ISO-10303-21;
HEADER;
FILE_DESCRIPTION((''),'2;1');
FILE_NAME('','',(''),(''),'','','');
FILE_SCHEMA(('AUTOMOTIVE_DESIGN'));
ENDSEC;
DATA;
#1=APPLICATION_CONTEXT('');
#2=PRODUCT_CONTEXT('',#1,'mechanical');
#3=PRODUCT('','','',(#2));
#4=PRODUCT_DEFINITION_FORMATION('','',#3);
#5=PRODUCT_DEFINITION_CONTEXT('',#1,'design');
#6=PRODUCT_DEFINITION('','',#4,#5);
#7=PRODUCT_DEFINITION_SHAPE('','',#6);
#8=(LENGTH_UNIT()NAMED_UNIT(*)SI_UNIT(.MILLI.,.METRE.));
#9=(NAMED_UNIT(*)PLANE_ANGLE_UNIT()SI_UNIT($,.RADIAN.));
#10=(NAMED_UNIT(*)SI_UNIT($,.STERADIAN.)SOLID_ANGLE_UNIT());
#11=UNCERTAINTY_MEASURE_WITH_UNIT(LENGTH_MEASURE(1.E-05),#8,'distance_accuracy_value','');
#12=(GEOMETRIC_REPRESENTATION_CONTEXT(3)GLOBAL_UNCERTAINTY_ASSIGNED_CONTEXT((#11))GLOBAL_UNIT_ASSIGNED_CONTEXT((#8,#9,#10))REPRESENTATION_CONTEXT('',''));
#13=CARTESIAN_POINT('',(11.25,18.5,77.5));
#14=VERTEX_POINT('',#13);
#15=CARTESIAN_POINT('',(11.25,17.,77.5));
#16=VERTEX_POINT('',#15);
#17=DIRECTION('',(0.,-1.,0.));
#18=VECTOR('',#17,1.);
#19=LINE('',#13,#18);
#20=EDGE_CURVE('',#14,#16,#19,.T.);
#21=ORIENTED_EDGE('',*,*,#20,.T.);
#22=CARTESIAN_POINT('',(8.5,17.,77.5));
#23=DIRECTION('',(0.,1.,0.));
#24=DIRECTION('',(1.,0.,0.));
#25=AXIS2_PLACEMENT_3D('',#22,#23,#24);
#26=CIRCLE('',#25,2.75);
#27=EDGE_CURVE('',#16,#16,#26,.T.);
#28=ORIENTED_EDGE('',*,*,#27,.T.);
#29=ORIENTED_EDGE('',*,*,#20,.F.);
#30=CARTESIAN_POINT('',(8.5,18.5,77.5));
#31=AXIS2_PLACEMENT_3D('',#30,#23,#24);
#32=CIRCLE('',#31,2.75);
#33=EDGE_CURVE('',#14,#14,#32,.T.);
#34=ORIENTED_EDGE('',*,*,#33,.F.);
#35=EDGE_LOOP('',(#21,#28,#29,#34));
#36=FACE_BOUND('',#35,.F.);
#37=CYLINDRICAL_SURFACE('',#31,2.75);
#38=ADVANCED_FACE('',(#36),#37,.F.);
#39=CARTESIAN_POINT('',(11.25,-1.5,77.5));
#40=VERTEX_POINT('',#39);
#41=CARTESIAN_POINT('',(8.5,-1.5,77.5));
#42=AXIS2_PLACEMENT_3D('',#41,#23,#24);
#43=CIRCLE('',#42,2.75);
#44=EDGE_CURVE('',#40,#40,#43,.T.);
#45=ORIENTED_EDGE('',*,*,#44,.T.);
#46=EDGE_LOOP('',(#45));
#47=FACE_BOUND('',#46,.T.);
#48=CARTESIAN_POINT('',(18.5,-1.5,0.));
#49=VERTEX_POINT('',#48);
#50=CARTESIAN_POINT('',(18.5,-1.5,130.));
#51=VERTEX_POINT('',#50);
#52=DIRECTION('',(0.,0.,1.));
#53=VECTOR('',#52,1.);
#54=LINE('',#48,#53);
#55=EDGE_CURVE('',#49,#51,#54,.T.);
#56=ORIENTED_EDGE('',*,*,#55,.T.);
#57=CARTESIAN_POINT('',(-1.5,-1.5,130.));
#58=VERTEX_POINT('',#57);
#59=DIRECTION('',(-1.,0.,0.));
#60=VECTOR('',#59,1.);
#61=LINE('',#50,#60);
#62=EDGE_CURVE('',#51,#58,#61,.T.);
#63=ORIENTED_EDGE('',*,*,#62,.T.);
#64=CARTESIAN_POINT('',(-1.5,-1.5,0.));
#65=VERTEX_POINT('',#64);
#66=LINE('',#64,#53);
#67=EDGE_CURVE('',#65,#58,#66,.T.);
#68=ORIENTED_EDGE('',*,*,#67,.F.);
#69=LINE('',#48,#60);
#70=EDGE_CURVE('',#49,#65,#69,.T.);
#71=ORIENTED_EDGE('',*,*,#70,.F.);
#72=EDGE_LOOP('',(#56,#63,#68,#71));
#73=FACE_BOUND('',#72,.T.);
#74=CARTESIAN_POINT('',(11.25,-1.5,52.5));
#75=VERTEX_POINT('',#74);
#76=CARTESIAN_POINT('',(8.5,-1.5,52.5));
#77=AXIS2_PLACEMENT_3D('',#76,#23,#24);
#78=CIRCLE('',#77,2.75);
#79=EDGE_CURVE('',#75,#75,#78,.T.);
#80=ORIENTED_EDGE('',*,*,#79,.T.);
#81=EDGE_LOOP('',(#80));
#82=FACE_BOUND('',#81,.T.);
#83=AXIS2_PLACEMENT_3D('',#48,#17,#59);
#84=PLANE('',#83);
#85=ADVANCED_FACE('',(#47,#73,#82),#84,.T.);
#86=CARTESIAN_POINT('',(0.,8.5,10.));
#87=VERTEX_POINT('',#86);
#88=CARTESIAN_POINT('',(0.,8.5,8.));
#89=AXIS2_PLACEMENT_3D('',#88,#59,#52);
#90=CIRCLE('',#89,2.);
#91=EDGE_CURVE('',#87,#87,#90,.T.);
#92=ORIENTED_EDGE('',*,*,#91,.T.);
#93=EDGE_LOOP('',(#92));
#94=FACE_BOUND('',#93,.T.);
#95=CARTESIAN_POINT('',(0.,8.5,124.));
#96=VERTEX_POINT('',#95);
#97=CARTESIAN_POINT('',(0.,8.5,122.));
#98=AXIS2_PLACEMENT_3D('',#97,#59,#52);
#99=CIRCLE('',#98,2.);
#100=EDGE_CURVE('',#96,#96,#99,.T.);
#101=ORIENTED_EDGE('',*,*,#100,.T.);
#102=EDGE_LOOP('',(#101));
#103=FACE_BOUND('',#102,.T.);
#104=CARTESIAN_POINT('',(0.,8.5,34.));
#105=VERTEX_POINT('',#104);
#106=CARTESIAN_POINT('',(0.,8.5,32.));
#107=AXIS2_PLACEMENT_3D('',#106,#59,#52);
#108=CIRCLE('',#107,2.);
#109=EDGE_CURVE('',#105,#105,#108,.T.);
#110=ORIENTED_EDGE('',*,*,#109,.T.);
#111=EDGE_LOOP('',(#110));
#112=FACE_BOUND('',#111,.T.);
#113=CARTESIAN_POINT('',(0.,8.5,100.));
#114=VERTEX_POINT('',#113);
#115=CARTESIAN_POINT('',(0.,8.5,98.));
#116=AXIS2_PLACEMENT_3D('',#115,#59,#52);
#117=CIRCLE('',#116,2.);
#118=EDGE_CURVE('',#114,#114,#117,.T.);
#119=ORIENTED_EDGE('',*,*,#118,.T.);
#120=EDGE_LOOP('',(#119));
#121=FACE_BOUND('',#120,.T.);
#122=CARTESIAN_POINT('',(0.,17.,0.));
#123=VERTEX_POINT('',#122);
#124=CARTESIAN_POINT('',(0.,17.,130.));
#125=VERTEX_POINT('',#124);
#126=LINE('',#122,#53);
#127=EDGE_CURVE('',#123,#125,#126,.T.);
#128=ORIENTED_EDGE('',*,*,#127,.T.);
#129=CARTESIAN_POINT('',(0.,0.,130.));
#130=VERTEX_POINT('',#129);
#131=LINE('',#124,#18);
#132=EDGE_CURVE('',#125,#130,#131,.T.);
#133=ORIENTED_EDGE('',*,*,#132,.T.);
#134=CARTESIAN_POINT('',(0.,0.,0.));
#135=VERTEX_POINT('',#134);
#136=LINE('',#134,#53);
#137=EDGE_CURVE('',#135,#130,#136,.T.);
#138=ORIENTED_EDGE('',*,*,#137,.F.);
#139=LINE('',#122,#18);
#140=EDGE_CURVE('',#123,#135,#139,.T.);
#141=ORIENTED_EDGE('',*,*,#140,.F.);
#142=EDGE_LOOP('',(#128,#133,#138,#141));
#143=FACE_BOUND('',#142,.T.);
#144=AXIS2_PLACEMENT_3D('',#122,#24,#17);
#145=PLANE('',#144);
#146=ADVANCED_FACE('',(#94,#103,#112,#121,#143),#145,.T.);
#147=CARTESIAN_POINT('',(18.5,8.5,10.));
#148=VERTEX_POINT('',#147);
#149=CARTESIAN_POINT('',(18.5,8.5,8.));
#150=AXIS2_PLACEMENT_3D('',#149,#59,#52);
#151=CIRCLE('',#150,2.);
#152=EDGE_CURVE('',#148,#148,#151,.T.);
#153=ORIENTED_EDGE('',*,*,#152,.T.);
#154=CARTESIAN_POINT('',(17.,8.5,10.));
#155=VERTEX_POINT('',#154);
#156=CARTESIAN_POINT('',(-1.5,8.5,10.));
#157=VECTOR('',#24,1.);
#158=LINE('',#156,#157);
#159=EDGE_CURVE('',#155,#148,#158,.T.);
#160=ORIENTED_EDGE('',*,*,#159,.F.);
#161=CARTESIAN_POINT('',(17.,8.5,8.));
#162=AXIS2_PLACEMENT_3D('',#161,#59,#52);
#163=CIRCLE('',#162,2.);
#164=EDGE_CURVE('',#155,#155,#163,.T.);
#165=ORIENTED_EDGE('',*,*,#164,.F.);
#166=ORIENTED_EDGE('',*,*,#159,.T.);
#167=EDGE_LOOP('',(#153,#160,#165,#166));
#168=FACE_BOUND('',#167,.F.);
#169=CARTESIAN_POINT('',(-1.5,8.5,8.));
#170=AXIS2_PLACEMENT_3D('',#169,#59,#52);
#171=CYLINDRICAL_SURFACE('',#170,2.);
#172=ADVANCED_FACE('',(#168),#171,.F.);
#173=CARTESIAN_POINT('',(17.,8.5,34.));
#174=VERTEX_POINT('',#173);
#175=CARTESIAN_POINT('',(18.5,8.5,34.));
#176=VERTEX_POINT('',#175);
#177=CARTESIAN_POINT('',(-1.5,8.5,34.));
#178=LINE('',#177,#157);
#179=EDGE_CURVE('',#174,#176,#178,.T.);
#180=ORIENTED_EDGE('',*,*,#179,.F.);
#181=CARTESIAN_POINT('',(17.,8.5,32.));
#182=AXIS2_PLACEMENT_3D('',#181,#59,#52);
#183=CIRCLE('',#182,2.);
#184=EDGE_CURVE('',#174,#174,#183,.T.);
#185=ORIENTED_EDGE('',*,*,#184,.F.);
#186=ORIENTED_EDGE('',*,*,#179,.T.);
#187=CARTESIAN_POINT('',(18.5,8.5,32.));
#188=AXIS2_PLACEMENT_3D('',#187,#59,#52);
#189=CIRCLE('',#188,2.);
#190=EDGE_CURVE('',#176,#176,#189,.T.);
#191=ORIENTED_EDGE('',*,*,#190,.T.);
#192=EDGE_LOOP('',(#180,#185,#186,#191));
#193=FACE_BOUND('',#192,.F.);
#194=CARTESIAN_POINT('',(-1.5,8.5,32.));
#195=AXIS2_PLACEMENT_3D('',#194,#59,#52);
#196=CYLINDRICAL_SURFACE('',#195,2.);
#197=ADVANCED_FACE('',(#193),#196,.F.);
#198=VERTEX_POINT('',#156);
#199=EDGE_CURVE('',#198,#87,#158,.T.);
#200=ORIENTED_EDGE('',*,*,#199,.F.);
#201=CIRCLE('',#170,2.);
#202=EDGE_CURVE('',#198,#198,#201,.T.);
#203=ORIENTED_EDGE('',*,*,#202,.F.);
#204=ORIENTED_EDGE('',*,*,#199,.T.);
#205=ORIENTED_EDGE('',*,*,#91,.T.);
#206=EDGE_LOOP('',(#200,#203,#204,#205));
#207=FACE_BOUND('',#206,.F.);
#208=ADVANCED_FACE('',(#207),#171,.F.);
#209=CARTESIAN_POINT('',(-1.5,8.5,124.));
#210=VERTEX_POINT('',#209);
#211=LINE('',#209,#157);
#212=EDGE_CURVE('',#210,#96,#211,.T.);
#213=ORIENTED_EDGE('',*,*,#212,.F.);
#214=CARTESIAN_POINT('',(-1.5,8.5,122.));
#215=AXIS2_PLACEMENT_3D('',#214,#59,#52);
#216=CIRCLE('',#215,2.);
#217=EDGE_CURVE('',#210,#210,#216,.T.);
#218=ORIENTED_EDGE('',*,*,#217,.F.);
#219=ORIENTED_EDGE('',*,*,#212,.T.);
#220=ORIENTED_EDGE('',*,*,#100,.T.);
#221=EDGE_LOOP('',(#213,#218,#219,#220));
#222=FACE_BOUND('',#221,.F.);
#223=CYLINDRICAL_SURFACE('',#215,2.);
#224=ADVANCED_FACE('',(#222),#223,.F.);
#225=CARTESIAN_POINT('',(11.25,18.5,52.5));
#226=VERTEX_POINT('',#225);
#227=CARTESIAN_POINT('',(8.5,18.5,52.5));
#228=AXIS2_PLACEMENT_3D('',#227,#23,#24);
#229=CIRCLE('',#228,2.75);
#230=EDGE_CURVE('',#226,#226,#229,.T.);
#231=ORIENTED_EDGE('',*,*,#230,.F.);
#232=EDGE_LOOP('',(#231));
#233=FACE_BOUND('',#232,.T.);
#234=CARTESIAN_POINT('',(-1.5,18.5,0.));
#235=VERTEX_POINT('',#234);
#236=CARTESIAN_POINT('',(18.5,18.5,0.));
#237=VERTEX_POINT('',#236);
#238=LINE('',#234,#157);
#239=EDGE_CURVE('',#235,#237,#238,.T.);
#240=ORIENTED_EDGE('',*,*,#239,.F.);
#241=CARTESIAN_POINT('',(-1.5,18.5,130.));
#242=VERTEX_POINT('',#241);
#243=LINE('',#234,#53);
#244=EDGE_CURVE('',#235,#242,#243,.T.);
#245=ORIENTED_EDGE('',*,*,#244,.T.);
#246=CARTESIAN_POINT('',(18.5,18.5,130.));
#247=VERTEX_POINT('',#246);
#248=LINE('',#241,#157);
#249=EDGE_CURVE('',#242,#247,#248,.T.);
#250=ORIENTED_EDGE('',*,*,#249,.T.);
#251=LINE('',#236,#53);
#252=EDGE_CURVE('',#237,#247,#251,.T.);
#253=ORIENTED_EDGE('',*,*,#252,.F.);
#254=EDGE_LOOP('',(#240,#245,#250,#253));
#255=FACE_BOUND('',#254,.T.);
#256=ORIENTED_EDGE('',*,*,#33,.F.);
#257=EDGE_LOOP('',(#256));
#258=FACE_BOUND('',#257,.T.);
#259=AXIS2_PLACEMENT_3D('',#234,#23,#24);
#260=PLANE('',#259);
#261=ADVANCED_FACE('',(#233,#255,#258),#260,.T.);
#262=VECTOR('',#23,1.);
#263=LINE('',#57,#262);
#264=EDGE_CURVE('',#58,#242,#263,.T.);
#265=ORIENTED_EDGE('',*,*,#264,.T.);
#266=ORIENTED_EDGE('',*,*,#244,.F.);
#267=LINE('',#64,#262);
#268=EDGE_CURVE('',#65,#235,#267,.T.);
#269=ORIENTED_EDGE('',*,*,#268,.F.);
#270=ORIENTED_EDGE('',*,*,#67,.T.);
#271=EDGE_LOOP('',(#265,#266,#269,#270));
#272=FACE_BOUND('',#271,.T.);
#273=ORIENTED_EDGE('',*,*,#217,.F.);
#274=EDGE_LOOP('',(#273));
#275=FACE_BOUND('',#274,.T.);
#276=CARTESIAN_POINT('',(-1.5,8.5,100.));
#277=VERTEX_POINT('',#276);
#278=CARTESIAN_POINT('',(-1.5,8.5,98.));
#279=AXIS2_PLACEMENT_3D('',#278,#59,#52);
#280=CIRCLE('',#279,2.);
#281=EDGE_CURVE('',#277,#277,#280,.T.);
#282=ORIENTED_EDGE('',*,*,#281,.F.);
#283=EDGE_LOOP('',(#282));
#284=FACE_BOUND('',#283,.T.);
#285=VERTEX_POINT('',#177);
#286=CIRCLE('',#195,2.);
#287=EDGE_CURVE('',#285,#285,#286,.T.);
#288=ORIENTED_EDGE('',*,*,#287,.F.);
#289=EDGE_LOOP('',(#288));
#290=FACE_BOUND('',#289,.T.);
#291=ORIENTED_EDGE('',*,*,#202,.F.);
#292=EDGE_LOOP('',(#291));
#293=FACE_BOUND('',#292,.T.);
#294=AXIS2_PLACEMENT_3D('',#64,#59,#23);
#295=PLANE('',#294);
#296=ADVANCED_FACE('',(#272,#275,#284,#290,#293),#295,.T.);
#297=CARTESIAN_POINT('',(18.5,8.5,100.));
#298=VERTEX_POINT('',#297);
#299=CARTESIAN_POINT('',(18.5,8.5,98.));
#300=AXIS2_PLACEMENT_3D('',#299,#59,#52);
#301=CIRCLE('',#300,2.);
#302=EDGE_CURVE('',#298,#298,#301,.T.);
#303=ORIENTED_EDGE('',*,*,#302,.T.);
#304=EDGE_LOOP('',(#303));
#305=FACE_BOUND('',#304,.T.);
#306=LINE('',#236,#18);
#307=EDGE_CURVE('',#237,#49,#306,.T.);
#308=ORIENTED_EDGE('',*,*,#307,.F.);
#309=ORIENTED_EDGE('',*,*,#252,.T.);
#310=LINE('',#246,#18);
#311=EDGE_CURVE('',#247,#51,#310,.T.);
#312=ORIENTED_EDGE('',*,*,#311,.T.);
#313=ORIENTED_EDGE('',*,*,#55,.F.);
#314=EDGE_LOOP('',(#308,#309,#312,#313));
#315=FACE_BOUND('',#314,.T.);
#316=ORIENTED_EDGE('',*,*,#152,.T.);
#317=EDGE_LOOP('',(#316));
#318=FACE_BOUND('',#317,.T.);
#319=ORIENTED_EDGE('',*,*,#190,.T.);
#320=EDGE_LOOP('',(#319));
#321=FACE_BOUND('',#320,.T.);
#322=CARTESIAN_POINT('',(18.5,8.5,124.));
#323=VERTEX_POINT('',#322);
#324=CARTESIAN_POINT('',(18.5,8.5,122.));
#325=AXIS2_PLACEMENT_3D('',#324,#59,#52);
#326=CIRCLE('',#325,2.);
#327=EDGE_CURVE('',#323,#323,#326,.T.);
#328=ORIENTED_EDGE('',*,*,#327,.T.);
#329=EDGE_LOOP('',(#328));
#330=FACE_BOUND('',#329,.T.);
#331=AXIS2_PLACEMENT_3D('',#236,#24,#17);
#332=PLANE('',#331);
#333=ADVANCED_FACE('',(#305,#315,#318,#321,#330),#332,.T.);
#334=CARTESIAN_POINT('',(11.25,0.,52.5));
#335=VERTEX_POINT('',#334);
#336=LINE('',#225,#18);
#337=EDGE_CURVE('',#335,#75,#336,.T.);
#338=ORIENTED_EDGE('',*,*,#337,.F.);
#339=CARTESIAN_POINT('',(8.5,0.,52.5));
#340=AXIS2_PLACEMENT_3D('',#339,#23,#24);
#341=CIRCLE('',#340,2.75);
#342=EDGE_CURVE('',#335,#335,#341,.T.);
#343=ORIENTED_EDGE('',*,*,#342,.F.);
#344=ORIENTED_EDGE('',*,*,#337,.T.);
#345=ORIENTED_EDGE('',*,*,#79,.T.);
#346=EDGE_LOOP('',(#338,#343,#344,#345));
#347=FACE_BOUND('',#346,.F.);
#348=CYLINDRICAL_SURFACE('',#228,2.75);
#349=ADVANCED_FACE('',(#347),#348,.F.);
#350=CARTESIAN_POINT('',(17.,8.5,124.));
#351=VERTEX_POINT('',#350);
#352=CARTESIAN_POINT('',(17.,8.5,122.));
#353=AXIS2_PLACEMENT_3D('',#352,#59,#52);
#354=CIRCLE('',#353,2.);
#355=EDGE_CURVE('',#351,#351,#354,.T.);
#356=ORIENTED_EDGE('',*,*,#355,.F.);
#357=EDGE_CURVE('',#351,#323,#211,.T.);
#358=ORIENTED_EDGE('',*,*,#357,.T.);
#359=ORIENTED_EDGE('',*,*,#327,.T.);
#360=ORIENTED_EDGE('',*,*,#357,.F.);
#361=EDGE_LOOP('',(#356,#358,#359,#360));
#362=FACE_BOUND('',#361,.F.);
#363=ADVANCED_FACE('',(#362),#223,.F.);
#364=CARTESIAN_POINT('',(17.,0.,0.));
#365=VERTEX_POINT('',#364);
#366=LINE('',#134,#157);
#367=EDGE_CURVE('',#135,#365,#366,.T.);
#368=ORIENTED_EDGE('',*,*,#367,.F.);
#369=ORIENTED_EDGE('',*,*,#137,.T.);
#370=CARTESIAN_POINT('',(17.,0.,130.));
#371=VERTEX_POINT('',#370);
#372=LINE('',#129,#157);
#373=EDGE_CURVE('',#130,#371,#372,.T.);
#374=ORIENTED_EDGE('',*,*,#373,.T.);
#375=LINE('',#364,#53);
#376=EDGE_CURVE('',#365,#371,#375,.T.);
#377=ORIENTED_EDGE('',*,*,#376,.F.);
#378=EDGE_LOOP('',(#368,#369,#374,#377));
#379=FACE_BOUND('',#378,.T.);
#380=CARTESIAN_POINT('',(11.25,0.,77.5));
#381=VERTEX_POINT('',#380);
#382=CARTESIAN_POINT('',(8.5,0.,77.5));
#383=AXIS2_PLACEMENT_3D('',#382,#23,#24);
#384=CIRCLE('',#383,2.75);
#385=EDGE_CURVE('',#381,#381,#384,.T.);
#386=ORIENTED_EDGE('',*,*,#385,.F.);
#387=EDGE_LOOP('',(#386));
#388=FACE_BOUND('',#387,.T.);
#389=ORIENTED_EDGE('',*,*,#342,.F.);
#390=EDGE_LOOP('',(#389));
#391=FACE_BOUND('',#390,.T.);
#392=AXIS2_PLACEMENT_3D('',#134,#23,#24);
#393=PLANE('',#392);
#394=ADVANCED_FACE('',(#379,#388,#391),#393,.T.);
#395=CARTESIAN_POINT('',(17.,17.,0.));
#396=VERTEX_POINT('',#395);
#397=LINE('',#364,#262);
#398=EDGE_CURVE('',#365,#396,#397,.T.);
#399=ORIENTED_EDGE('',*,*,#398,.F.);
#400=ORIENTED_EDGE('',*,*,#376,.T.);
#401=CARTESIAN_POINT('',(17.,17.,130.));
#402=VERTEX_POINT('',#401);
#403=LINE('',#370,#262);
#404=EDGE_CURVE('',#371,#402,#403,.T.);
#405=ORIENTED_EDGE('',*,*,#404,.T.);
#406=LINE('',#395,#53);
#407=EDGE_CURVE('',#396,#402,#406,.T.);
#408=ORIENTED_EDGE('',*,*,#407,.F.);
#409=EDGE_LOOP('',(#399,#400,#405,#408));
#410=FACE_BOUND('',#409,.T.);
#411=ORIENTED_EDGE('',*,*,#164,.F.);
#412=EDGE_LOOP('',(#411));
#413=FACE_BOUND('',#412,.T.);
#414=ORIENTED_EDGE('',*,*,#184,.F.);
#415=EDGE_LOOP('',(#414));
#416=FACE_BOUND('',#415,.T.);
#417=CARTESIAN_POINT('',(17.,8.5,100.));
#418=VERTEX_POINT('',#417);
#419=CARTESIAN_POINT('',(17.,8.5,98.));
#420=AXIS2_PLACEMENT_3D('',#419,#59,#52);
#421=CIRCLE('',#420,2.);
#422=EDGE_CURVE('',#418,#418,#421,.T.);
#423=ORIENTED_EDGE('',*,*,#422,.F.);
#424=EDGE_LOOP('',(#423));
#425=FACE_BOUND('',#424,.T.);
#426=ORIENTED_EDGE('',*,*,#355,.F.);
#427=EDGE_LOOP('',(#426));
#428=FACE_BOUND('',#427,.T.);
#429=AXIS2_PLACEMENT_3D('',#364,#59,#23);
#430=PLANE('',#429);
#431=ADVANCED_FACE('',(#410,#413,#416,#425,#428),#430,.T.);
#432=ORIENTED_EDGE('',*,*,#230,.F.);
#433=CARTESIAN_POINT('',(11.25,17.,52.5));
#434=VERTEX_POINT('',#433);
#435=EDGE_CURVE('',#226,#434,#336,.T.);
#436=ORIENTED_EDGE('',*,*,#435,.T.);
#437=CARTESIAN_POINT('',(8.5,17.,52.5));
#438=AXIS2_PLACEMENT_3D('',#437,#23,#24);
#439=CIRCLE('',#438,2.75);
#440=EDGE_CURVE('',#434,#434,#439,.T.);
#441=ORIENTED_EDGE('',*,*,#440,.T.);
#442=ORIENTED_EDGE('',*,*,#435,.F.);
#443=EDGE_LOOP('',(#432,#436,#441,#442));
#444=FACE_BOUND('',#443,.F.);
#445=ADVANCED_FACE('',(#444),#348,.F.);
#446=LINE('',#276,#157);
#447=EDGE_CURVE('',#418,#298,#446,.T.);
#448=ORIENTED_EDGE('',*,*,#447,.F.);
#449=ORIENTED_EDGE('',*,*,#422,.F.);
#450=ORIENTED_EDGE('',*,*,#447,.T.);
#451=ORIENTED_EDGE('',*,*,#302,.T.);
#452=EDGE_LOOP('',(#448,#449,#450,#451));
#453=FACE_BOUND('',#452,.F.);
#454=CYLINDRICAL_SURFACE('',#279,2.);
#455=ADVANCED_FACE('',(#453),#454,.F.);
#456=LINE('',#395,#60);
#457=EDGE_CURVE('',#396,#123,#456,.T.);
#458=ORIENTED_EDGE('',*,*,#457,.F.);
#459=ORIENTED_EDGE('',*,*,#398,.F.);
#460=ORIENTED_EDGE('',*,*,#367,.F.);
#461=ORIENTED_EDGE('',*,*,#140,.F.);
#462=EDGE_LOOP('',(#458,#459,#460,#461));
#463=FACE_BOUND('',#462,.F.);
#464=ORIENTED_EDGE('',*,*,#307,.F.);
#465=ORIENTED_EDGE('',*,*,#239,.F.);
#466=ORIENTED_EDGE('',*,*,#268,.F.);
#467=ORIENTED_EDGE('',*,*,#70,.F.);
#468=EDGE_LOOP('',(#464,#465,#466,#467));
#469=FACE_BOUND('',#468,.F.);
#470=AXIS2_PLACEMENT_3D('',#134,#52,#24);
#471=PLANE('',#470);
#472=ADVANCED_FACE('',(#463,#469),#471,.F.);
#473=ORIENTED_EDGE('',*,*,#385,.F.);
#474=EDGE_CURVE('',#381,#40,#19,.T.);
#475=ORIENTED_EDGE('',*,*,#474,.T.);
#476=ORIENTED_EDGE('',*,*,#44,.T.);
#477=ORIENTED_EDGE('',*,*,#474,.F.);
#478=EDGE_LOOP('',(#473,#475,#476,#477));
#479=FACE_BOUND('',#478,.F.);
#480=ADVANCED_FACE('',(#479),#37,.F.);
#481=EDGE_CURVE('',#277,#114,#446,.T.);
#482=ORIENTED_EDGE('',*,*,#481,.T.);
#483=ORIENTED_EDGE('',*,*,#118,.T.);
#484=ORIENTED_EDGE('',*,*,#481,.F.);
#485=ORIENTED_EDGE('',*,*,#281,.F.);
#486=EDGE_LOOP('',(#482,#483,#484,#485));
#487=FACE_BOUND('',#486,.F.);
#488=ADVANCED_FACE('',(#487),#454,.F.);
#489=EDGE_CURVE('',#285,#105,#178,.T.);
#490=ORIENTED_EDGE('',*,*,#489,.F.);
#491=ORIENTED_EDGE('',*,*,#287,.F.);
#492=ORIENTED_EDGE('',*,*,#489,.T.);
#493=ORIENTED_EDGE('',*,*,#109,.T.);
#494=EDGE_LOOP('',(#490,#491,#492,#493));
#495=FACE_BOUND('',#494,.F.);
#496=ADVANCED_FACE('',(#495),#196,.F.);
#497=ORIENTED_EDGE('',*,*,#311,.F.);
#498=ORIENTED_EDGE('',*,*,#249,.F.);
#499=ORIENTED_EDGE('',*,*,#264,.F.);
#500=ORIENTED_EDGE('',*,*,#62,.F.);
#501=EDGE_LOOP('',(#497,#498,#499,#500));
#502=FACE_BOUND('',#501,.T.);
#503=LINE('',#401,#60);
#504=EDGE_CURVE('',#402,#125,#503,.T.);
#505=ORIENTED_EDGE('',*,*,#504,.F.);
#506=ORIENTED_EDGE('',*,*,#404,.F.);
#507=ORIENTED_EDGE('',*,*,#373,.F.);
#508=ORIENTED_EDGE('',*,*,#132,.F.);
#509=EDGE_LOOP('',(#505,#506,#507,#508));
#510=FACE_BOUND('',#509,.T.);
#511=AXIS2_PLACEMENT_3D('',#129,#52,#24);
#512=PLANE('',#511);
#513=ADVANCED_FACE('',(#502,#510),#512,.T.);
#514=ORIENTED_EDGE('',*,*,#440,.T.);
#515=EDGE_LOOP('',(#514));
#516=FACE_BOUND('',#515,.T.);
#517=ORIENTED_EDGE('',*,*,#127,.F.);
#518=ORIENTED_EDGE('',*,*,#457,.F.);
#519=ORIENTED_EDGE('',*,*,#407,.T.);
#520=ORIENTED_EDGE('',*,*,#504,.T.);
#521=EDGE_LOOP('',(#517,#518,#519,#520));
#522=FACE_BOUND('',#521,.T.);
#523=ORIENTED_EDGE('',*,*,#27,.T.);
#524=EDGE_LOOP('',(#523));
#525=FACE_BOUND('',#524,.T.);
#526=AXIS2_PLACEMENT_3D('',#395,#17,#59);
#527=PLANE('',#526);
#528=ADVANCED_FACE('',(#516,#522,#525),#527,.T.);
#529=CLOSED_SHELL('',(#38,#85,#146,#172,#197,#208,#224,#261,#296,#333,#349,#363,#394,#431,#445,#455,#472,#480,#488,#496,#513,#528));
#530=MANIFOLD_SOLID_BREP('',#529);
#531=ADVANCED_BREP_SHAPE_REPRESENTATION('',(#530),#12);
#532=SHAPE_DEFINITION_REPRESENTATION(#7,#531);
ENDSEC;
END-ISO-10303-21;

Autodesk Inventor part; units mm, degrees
ref_plane "YZ Plane" through (0, 0, 0) normal (1, 0, 0) x (0, 1, 0)
ref_plane "XZ Plane" through (0, 0, 0) normal (0, 1, 0) x (-1, 0, 0)
ref_plane "XY Plane" through (0, 0, 0) normal (0, 0, 1) x (1, 0, 0)
sketch "Эскиз1" plane through (0, 0, 0) normal (0, 0, 1) x (1, 0, 0)
  line L0 (0, 0) -> (17, 0)
  line L1 (17, 0) -> (17, 17)
  line L2 (17, 17) -> (0, 17)
  line L3 (0, 17) -> (0, 0)
  line L4 (-1.5, 18.5) -> (18.5, 18.5)
  line L5 (18.5, 18.5) -> (18.5, -1.5)
  line L6 (18.5, -1.5) -> (-1.5, -1.5)
  line L7 (-1.5, -1.5) -> (-1.5, 18.5)
  dimension "d0" = 20
  dimension "d1" = 1.5
extrude "Выдавливание1" add sketch "Эскиз1" along normal blind 130
sketch "Эскиз2" plane through (-1.5, 18.5, 0) normal (0, 1, 0) x (1, 0, 0)
  line L0 (20, -130) -> (0, -130) construction
  line L1 (20, 0) -> (0, 0) construction
  line L2 (20, 0) -> (20, -130) construction
  circle A0 centre (10, -52.5) radius 2.75
  circle A1 centre (10, -77.5) radius 2.75
  line L3 (10, -77.5) -> (10, -52.5) construction
  point P0 (1.5, 0)
  point P1 (10, -65)
  point P2 (20, -65)
  point P3 (10, 0)
  dimension "d4" = 25
  dimension "d5" = 5.5
extrude "Выдавливание2" cut sketch "Эскиз2" against normal through all
sketch "Эскиз3" plane through (-1.5, -1.5, 0) normal (-1, 0, 0) x (0, 0, 1)
  circle A0 centre (8, 10) radius 2 projected
  circle A1 centre (32, 10) radius 2 projected
  circle A2 centre (98, 10) radius 2 projected
  circle A3 centre (122, 10) radius 2 projected
  point P0 (0, 1.5)
extrude "Выдавливание3" cut sketch "Эскиз3" against normal blind 200
properties part number "side_axis"
